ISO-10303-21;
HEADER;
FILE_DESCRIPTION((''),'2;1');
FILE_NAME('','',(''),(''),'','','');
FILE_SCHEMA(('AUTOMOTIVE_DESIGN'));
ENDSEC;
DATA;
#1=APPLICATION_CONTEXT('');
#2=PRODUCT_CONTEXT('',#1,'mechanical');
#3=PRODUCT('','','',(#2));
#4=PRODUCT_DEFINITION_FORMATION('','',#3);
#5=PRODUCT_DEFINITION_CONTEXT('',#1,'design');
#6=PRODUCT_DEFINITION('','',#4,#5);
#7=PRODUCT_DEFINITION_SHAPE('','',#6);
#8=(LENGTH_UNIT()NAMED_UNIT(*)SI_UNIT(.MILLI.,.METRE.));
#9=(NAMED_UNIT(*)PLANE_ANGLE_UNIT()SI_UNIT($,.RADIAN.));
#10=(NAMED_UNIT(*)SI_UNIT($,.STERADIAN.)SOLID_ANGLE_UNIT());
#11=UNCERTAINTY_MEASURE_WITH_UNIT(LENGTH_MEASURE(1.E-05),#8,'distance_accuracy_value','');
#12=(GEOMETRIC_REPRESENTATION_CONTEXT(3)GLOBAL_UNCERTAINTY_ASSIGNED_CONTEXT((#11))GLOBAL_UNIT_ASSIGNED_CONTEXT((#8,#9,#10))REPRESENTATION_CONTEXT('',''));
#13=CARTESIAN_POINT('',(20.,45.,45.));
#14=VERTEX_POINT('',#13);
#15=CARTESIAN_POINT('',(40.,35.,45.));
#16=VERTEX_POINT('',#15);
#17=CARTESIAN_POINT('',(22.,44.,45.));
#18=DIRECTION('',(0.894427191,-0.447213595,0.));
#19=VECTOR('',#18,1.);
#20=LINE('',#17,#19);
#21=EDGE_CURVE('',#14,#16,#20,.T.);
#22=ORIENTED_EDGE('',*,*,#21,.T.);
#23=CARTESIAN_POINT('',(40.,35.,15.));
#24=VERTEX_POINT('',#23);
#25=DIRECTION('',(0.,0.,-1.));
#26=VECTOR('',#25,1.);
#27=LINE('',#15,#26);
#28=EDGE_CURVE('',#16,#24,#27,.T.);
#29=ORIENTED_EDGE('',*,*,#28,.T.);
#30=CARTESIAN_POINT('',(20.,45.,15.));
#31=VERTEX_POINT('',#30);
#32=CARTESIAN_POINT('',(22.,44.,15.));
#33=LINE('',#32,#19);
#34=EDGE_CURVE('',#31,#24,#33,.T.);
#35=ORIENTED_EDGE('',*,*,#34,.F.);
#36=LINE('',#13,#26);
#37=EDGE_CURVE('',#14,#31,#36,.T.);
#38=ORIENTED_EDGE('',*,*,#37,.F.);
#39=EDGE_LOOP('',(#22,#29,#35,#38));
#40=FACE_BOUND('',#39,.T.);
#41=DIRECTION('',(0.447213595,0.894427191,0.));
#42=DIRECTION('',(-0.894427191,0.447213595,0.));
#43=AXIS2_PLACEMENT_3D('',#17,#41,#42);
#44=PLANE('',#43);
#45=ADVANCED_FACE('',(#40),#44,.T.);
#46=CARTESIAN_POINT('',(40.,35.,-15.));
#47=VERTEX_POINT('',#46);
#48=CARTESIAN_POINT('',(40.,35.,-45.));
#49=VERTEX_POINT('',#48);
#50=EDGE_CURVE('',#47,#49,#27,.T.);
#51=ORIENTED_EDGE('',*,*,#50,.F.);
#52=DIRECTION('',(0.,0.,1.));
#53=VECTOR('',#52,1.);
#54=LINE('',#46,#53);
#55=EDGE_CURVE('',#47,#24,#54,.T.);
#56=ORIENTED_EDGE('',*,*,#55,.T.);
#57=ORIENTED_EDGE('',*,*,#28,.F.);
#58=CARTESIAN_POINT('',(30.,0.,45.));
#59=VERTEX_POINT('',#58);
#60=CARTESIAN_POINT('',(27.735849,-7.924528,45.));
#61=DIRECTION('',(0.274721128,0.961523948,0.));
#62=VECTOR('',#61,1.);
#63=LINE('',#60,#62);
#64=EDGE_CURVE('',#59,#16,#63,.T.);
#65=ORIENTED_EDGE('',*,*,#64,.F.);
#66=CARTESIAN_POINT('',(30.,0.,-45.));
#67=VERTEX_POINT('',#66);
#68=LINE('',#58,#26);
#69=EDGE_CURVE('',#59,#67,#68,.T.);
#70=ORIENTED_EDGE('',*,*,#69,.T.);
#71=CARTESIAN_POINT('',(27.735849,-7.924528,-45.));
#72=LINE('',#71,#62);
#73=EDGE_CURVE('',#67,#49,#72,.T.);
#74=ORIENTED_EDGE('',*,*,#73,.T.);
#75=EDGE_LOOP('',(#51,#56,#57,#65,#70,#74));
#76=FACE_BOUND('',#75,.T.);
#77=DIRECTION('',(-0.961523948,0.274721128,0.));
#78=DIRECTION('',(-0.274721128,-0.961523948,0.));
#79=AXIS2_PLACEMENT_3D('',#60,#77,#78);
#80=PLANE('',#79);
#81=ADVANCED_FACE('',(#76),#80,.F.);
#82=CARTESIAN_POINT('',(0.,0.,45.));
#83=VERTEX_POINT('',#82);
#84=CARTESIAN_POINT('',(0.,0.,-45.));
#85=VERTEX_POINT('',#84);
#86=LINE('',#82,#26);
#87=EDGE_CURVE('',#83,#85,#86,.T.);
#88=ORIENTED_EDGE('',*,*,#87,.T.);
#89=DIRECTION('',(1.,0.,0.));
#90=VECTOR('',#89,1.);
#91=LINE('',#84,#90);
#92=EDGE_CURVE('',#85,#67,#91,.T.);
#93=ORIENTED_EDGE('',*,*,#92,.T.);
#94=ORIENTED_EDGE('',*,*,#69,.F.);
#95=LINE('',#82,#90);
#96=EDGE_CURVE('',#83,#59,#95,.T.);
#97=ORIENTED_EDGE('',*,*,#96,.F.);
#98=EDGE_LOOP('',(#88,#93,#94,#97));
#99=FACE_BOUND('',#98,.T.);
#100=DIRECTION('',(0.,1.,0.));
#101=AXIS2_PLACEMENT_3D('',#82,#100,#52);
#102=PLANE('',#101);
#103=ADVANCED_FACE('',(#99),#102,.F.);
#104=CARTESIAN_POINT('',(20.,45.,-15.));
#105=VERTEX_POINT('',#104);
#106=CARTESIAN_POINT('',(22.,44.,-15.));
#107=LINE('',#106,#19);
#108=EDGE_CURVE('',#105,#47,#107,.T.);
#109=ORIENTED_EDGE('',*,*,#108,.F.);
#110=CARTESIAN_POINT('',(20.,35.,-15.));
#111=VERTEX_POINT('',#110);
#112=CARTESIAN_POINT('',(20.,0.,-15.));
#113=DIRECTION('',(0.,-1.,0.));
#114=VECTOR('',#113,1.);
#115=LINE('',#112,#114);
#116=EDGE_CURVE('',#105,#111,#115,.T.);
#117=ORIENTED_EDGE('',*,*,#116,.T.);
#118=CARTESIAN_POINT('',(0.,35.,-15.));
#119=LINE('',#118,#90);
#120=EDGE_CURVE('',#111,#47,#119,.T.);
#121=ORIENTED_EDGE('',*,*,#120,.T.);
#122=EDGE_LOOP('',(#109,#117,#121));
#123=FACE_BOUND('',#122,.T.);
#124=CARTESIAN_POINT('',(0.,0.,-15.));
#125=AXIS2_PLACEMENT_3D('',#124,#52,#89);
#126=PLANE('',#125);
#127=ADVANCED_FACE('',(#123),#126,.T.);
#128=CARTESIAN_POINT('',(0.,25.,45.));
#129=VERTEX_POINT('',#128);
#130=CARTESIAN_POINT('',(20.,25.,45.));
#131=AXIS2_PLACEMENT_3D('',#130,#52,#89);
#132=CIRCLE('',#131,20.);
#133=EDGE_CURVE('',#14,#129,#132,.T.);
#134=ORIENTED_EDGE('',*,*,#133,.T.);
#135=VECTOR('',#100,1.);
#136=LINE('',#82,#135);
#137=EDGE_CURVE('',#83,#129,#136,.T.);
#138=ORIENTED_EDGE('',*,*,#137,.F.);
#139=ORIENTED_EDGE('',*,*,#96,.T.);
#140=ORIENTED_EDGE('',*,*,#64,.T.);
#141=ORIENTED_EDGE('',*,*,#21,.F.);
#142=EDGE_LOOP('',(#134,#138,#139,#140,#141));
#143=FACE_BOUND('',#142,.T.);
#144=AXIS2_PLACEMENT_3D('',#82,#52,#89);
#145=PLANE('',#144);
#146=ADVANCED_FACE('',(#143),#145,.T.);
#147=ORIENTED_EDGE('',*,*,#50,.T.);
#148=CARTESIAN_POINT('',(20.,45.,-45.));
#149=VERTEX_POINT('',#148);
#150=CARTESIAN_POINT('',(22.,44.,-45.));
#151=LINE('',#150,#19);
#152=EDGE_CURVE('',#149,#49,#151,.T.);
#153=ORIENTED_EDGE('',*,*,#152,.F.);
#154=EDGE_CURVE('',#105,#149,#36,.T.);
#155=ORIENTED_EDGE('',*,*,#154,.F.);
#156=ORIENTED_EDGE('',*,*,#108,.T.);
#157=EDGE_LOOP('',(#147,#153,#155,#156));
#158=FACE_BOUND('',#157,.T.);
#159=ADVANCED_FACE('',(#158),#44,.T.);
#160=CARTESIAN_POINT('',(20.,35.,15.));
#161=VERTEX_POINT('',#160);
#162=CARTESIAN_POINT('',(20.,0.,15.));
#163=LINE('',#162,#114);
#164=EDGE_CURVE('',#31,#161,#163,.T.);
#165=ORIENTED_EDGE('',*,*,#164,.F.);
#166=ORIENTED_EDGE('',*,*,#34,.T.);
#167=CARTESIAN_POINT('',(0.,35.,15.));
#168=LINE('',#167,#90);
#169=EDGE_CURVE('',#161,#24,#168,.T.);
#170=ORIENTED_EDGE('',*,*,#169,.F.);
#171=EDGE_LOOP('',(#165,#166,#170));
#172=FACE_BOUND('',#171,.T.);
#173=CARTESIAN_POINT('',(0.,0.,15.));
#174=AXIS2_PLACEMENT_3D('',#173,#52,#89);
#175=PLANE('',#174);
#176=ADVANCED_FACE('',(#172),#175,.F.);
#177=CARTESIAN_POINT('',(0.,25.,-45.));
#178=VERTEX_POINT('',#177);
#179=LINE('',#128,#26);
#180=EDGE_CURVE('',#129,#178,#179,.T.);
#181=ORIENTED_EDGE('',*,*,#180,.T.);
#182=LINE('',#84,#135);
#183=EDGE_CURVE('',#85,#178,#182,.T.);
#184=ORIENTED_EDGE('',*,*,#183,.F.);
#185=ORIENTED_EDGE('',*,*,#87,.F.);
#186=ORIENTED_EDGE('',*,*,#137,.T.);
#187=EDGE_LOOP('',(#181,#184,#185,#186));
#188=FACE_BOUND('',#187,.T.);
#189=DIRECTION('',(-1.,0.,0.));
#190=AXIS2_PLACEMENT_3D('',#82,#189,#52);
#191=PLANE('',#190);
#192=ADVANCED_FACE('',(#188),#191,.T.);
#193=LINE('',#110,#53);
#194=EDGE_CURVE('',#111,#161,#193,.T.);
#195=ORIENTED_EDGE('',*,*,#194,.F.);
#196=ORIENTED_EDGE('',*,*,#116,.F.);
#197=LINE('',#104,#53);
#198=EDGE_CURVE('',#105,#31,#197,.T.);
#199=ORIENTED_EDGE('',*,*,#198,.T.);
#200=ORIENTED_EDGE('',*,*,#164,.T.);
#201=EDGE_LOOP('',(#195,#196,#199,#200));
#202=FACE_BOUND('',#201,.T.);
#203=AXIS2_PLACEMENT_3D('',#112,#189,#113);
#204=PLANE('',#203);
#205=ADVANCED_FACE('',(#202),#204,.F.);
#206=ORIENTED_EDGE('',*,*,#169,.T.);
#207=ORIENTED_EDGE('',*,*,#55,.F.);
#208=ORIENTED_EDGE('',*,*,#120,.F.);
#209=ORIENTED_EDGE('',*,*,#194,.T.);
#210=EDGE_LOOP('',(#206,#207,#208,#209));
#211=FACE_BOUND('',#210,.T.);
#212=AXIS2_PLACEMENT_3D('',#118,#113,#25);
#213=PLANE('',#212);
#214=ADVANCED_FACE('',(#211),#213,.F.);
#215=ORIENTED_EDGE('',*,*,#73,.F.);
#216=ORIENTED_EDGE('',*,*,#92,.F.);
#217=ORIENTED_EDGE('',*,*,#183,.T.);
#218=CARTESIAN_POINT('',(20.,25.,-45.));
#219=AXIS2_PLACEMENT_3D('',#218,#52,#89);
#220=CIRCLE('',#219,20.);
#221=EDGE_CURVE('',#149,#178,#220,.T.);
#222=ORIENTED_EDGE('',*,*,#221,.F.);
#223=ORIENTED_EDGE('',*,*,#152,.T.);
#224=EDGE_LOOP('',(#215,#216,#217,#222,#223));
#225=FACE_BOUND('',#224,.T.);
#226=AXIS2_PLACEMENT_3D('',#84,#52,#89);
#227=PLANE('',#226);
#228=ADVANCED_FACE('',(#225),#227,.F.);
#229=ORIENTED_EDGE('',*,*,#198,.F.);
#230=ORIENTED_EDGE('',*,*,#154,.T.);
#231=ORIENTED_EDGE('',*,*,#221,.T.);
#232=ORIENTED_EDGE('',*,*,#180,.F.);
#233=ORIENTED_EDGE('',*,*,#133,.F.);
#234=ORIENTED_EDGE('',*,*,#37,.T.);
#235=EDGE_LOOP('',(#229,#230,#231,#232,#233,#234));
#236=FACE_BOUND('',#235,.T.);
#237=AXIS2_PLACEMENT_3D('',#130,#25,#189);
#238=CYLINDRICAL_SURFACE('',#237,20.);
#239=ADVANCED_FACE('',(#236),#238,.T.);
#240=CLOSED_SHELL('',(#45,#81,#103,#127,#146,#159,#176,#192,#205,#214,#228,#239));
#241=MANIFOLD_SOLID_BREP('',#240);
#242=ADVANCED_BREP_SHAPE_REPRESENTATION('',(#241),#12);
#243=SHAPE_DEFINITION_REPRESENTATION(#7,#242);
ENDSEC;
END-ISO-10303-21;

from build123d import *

# Parameters (mm, degrees)
BOSS_EXTRUDE1_DEPTH = 45
CUT_EXTRUDE1_DEPTH  = 15


with BuildPart() as part:
    # Sketch1 → Boss-Extrude1 (new, symmetric)
    with BuildSketch(Plane.XY):
        with BuildLine():
            Line((40, 35), (20, 45))
            ThreePointArc((20, 45), (5.857864376, 39.142135624), (0, 25))
            Line((0, 25), (0, 0))
            Line((0, 0), (30, 0))
            Line((30, 0), (40, 35))
        make_face()
    extrude(amount=BOSS_EXTRUDE1_DEPTH, both=True)

    # Sketch1<3> → Cut-Extrude1 (cut, symmetric)
    with BuildSketch(Plane.XY):
        Polygon((40, 35), (20, 45), (20, 35), align=None)
    extrude(amount=CUT_EXTRUDE1_DEPTH, both=True, mode=Mode.SUBTRACT)


solid = part.part
